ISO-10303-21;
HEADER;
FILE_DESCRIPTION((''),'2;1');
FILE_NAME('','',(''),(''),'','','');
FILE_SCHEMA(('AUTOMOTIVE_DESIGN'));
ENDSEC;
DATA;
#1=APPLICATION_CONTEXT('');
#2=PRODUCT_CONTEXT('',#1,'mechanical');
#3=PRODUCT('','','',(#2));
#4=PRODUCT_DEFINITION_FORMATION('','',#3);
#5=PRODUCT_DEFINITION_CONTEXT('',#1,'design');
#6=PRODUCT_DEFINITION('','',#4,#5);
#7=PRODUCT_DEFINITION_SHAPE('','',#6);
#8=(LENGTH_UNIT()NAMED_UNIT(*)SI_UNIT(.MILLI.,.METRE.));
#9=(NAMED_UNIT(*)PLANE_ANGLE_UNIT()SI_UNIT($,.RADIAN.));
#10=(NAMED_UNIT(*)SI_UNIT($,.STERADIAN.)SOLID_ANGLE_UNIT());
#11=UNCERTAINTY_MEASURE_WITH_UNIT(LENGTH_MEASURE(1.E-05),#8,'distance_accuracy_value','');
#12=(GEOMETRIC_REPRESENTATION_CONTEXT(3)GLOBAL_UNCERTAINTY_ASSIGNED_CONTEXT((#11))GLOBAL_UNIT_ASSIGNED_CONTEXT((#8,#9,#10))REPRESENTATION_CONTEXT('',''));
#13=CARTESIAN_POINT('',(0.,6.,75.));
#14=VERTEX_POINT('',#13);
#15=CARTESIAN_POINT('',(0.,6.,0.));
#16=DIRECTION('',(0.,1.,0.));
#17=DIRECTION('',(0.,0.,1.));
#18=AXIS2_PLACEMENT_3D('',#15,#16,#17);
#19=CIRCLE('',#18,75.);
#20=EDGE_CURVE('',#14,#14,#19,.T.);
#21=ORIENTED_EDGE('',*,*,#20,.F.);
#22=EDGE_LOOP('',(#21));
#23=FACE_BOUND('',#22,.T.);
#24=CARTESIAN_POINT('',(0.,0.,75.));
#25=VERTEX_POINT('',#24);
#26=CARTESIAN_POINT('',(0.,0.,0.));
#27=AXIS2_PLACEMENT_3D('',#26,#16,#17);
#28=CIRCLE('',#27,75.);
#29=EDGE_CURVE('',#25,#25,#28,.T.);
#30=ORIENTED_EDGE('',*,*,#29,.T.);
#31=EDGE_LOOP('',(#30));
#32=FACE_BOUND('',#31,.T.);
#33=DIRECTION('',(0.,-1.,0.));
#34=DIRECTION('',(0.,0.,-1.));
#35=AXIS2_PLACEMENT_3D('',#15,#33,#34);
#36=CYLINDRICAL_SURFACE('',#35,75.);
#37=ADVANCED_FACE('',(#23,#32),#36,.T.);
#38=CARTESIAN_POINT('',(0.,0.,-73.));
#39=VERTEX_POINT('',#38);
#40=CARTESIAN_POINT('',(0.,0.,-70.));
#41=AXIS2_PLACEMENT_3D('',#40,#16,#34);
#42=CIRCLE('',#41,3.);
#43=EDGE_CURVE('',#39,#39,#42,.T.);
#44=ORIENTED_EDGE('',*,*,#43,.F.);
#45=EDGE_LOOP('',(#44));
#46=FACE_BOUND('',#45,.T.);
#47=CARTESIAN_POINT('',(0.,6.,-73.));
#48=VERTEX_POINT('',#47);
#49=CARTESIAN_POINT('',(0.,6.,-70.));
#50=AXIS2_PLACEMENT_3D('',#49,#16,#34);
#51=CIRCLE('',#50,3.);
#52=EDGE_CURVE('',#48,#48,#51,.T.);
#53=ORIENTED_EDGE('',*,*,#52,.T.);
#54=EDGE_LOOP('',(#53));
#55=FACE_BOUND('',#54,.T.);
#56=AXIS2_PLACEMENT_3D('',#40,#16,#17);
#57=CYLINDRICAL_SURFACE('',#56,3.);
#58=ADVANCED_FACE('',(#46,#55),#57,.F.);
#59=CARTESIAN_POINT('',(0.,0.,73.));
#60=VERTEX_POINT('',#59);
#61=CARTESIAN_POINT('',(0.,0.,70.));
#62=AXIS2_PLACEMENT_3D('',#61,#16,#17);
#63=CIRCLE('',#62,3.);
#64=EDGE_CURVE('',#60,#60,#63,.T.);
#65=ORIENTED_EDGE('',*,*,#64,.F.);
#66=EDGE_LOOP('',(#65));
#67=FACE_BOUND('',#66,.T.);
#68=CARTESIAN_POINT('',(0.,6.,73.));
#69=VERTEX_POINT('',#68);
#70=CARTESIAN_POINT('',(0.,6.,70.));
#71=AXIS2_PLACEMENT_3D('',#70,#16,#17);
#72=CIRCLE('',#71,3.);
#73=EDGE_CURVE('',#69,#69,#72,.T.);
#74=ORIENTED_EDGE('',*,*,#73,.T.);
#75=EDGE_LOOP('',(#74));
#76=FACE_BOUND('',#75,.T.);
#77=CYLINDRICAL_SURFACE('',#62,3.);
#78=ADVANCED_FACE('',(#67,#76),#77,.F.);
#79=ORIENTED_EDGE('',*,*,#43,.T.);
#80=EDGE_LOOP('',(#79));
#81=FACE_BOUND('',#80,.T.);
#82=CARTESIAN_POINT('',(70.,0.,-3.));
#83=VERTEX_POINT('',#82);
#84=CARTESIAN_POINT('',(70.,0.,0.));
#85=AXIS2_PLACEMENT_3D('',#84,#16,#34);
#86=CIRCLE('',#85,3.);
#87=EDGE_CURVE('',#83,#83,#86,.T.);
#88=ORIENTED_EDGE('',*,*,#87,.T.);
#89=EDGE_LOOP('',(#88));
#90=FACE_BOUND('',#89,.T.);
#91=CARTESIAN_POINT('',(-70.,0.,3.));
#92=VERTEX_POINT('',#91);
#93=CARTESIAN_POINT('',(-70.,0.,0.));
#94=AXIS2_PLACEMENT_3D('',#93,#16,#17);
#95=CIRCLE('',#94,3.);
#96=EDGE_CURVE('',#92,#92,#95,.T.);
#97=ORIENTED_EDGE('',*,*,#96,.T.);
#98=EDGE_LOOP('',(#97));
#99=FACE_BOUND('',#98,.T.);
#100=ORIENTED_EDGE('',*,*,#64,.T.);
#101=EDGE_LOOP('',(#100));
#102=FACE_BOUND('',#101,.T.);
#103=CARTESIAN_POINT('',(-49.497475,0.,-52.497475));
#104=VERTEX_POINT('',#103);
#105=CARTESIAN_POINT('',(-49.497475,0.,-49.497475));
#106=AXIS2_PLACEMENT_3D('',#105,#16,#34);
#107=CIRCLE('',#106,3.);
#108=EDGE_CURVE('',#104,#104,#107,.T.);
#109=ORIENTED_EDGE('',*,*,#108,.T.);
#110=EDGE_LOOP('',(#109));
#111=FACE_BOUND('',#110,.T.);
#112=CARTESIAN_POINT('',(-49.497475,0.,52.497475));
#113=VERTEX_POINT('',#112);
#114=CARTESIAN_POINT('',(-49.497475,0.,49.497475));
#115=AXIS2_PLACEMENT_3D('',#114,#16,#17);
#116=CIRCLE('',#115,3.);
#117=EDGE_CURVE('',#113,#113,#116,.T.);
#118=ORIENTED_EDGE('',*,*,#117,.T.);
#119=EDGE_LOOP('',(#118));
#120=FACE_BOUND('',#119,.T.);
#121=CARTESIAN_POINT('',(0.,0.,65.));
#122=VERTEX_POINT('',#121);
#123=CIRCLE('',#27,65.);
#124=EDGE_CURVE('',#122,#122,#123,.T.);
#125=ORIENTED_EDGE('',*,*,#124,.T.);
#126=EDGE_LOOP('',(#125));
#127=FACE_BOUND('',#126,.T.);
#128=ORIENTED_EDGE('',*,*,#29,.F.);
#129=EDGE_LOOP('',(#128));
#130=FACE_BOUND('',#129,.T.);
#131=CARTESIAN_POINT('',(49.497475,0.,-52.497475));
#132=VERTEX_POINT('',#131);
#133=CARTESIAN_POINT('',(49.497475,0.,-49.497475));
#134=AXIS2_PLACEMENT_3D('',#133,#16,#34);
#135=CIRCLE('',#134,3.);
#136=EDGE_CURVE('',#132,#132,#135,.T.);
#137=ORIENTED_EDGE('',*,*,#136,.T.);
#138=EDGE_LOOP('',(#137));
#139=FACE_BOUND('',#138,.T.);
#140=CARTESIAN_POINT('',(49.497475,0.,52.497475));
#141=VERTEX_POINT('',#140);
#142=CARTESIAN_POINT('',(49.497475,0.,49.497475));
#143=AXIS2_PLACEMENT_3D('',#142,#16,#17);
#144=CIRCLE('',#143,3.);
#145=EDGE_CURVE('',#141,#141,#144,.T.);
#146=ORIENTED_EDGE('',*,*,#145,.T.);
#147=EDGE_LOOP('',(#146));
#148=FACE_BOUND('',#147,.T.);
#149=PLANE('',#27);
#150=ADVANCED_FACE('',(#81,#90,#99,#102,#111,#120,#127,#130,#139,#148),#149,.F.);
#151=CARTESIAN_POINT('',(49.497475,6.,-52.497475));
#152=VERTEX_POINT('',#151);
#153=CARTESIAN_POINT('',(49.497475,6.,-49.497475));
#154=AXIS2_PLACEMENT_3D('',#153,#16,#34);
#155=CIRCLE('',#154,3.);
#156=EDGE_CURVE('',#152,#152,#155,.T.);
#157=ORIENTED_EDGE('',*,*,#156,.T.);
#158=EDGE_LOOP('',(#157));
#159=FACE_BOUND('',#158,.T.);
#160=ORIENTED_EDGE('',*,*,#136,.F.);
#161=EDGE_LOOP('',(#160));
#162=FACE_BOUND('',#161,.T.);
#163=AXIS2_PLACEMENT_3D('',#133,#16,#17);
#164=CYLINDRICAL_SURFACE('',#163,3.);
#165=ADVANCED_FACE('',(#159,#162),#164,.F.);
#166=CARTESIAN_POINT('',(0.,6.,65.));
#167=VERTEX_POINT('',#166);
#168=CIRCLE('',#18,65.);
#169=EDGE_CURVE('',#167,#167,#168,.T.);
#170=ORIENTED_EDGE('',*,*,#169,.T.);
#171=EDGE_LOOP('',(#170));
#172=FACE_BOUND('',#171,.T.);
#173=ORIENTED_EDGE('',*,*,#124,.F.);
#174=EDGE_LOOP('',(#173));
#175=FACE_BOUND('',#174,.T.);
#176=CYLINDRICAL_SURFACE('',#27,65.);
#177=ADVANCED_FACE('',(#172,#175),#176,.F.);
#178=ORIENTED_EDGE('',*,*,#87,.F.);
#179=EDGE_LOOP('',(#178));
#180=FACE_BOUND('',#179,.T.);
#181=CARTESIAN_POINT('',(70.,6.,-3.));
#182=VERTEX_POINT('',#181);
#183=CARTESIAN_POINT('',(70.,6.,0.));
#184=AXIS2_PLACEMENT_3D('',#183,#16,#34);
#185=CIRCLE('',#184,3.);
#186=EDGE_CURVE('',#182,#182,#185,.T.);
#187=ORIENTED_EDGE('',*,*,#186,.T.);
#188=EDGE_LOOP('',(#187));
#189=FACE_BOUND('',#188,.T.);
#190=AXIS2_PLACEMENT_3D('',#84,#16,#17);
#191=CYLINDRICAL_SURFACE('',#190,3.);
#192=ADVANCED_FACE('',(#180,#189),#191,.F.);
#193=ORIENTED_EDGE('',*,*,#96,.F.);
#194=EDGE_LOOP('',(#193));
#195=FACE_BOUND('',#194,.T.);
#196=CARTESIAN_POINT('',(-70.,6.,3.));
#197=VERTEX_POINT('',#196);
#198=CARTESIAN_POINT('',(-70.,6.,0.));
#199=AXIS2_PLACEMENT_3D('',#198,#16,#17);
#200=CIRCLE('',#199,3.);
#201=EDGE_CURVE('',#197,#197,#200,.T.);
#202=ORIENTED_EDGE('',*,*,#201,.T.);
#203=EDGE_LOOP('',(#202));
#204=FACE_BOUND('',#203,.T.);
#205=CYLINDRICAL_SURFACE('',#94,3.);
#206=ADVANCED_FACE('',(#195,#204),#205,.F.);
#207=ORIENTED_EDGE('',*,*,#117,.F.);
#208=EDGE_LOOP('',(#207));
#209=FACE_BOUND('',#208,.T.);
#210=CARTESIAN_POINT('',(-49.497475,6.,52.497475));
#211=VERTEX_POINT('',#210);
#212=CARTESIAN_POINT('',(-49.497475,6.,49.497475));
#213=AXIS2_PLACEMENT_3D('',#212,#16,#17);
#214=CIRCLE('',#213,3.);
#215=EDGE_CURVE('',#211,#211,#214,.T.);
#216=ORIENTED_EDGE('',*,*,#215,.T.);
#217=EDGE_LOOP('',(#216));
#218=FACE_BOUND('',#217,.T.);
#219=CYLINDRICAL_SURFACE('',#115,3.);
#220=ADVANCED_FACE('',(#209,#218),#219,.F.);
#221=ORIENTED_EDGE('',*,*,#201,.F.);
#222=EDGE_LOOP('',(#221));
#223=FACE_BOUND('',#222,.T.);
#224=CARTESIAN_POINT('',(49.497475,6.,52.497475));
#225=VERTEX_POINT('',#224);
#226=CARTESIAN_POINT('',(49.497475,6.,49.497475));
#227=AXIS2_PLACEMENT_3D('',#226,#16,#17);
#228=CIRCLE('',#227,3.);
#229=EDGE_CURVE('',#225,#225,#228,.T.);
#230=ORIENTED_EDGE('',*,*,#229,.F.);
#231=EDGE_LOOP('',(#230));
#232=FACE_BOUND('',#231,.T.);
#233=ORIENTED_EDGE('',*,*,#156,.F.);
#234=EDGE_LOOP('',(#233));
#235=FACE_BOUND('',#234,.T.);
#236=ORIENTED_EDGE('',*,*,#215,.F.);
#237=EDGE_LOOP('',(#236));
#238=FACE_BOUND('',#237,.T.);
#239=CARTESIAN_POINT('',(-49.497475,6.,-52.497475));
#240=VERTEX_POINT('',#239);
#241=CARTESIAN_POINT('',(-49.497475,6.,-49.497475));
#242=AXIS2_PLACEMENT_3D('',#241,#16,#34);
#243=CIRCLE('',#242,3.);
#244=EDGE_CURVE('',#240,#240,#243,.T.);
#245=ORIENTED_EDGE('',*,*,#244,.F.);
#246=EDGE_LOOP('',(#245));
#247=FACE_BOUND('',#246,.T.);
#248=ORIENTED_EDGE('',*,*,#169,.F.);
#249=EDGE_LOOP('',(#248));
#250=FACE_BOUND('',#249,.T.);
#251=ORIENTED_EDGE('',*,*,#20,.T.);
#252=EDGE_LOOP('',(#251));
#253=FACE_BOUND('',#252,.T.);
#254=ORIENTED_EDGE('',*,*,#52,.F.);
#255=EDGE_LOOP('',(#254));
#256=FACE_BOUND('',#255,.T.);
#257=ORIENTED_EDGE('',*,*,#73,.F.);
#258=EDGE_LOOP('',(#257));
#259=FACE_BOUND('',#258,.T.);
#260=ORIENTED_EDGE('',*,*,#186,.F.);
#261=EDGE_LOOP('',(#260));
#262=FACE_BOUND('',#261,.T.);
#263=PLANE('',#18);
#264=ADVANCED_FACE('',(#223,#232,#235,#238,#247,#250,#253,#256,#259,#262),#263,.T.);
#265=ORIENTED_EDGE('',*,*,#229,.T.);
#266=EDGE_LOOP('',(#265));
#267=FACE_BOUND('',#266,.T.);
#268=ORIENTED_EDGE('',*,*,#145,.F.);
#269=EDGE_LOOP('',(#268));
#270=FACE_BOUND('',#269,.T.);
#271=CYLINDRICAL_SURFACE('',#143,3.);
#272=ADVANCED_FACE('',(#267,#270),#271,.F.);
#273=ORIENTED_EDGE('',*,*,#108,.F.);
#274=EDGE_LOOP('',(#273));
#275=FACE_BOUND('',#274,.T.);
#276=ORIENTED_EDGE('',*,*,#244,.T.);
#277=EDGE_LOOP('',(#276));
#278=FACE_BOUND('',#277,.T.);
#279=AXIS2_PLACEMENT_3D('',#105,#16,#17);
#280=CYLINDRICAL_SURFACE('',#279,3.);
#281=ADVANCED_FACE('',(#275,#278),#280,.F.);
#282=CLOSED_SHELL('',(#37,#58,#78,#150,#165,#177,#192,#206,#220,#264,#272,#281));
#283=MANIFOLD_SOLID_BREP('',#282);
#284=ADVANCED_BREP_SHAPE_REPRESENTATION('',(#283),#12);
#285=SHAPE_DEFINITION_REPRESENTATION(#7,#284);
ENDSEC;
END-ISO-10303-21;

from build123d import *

# Parameters (mm, degrees)
SKETCH_1_R          = 75
EXTRUDE_1_DEPTH     = 6
SKETCH_2_R          = 3
CUT_EXTRUDE_1_DEPTH = 6
SKETCH_3_R          = 65
CUT_EXTRUDE_2_DEPTH = 6


with BuildPart() as part:
    # Эскиз1 → Бобышка-Вытянуть1 (new body)
    with BuildSketch(Plane(origin=(0, 0, 0), x_dir=(1, 0, 0), z_dir=(0, 1, 0))):
        with Locations(Location((0, 0, 0), (0, 0, 270))):
            Circle(SKETCH_1_R)
    extrude(amount=EXTRUDE_1_DEPTH)

    # Эскиз2 → Вырез-Вытянуть1 (cut)
    with BuildSketch(Plane(origin=(0, 6, 0), x_dir=(1, 0, 0), z_dir=(0, 1, 0))):
        with Locations(Location((-70, 0, 0), (0, 0, 270))):
            Circle(SKETCH_2_R)
        with Locations(Location((70, 0, 0), (0, 0, 90))):
            Circle(SKETCH_2_R)
        with Locations(Location((0, -70, 0), (0, 0, 270))):
            Circle(SKETCH_2_R)
        with Locations(Location((0, 70, 0), (0, 0, 90))):
            Circle(SKETCH_2_R)
        with Locations(Location((-49.497474683, -49.497474683, 0), (0, 0, 270))):
            Circle(SKETCH_2_R)
        with Locations(Location((-49.497474683, 49.497474683, 0), (0, 0, 90))):
            Circle(SKETCH_2_R)
        with Locations(Location((49.497474683, -49.497474683, 0), (0, 0, 270))):
            Circle(SKETCH_2_R)
        with Locations(Location((49.497474683, 49.497474683, 0), (0, 0, 90))):
            Circle(SKETCH_2_R)
    extrude(amount=-CUT_EXTRUDE_1_DEPTH, mode=Mode.SUBTRACT)

    # Эскиз3 → Вырез-Вытянуть2 (cut)
    with BuildSketch(Plane(origin=(0, 6, 0), x_dir=(1, 0, 0), z_dir=(0, 1, 0))):
        with Locations(Location((0, 0, 0), (0, 0, 270))):
            Circle(SKETCH_3_R)
    extrude(amount=-CUT_EXTRUDE_2_DEPTH, mode=Mode.SUBTRACT)


solid = part.part
